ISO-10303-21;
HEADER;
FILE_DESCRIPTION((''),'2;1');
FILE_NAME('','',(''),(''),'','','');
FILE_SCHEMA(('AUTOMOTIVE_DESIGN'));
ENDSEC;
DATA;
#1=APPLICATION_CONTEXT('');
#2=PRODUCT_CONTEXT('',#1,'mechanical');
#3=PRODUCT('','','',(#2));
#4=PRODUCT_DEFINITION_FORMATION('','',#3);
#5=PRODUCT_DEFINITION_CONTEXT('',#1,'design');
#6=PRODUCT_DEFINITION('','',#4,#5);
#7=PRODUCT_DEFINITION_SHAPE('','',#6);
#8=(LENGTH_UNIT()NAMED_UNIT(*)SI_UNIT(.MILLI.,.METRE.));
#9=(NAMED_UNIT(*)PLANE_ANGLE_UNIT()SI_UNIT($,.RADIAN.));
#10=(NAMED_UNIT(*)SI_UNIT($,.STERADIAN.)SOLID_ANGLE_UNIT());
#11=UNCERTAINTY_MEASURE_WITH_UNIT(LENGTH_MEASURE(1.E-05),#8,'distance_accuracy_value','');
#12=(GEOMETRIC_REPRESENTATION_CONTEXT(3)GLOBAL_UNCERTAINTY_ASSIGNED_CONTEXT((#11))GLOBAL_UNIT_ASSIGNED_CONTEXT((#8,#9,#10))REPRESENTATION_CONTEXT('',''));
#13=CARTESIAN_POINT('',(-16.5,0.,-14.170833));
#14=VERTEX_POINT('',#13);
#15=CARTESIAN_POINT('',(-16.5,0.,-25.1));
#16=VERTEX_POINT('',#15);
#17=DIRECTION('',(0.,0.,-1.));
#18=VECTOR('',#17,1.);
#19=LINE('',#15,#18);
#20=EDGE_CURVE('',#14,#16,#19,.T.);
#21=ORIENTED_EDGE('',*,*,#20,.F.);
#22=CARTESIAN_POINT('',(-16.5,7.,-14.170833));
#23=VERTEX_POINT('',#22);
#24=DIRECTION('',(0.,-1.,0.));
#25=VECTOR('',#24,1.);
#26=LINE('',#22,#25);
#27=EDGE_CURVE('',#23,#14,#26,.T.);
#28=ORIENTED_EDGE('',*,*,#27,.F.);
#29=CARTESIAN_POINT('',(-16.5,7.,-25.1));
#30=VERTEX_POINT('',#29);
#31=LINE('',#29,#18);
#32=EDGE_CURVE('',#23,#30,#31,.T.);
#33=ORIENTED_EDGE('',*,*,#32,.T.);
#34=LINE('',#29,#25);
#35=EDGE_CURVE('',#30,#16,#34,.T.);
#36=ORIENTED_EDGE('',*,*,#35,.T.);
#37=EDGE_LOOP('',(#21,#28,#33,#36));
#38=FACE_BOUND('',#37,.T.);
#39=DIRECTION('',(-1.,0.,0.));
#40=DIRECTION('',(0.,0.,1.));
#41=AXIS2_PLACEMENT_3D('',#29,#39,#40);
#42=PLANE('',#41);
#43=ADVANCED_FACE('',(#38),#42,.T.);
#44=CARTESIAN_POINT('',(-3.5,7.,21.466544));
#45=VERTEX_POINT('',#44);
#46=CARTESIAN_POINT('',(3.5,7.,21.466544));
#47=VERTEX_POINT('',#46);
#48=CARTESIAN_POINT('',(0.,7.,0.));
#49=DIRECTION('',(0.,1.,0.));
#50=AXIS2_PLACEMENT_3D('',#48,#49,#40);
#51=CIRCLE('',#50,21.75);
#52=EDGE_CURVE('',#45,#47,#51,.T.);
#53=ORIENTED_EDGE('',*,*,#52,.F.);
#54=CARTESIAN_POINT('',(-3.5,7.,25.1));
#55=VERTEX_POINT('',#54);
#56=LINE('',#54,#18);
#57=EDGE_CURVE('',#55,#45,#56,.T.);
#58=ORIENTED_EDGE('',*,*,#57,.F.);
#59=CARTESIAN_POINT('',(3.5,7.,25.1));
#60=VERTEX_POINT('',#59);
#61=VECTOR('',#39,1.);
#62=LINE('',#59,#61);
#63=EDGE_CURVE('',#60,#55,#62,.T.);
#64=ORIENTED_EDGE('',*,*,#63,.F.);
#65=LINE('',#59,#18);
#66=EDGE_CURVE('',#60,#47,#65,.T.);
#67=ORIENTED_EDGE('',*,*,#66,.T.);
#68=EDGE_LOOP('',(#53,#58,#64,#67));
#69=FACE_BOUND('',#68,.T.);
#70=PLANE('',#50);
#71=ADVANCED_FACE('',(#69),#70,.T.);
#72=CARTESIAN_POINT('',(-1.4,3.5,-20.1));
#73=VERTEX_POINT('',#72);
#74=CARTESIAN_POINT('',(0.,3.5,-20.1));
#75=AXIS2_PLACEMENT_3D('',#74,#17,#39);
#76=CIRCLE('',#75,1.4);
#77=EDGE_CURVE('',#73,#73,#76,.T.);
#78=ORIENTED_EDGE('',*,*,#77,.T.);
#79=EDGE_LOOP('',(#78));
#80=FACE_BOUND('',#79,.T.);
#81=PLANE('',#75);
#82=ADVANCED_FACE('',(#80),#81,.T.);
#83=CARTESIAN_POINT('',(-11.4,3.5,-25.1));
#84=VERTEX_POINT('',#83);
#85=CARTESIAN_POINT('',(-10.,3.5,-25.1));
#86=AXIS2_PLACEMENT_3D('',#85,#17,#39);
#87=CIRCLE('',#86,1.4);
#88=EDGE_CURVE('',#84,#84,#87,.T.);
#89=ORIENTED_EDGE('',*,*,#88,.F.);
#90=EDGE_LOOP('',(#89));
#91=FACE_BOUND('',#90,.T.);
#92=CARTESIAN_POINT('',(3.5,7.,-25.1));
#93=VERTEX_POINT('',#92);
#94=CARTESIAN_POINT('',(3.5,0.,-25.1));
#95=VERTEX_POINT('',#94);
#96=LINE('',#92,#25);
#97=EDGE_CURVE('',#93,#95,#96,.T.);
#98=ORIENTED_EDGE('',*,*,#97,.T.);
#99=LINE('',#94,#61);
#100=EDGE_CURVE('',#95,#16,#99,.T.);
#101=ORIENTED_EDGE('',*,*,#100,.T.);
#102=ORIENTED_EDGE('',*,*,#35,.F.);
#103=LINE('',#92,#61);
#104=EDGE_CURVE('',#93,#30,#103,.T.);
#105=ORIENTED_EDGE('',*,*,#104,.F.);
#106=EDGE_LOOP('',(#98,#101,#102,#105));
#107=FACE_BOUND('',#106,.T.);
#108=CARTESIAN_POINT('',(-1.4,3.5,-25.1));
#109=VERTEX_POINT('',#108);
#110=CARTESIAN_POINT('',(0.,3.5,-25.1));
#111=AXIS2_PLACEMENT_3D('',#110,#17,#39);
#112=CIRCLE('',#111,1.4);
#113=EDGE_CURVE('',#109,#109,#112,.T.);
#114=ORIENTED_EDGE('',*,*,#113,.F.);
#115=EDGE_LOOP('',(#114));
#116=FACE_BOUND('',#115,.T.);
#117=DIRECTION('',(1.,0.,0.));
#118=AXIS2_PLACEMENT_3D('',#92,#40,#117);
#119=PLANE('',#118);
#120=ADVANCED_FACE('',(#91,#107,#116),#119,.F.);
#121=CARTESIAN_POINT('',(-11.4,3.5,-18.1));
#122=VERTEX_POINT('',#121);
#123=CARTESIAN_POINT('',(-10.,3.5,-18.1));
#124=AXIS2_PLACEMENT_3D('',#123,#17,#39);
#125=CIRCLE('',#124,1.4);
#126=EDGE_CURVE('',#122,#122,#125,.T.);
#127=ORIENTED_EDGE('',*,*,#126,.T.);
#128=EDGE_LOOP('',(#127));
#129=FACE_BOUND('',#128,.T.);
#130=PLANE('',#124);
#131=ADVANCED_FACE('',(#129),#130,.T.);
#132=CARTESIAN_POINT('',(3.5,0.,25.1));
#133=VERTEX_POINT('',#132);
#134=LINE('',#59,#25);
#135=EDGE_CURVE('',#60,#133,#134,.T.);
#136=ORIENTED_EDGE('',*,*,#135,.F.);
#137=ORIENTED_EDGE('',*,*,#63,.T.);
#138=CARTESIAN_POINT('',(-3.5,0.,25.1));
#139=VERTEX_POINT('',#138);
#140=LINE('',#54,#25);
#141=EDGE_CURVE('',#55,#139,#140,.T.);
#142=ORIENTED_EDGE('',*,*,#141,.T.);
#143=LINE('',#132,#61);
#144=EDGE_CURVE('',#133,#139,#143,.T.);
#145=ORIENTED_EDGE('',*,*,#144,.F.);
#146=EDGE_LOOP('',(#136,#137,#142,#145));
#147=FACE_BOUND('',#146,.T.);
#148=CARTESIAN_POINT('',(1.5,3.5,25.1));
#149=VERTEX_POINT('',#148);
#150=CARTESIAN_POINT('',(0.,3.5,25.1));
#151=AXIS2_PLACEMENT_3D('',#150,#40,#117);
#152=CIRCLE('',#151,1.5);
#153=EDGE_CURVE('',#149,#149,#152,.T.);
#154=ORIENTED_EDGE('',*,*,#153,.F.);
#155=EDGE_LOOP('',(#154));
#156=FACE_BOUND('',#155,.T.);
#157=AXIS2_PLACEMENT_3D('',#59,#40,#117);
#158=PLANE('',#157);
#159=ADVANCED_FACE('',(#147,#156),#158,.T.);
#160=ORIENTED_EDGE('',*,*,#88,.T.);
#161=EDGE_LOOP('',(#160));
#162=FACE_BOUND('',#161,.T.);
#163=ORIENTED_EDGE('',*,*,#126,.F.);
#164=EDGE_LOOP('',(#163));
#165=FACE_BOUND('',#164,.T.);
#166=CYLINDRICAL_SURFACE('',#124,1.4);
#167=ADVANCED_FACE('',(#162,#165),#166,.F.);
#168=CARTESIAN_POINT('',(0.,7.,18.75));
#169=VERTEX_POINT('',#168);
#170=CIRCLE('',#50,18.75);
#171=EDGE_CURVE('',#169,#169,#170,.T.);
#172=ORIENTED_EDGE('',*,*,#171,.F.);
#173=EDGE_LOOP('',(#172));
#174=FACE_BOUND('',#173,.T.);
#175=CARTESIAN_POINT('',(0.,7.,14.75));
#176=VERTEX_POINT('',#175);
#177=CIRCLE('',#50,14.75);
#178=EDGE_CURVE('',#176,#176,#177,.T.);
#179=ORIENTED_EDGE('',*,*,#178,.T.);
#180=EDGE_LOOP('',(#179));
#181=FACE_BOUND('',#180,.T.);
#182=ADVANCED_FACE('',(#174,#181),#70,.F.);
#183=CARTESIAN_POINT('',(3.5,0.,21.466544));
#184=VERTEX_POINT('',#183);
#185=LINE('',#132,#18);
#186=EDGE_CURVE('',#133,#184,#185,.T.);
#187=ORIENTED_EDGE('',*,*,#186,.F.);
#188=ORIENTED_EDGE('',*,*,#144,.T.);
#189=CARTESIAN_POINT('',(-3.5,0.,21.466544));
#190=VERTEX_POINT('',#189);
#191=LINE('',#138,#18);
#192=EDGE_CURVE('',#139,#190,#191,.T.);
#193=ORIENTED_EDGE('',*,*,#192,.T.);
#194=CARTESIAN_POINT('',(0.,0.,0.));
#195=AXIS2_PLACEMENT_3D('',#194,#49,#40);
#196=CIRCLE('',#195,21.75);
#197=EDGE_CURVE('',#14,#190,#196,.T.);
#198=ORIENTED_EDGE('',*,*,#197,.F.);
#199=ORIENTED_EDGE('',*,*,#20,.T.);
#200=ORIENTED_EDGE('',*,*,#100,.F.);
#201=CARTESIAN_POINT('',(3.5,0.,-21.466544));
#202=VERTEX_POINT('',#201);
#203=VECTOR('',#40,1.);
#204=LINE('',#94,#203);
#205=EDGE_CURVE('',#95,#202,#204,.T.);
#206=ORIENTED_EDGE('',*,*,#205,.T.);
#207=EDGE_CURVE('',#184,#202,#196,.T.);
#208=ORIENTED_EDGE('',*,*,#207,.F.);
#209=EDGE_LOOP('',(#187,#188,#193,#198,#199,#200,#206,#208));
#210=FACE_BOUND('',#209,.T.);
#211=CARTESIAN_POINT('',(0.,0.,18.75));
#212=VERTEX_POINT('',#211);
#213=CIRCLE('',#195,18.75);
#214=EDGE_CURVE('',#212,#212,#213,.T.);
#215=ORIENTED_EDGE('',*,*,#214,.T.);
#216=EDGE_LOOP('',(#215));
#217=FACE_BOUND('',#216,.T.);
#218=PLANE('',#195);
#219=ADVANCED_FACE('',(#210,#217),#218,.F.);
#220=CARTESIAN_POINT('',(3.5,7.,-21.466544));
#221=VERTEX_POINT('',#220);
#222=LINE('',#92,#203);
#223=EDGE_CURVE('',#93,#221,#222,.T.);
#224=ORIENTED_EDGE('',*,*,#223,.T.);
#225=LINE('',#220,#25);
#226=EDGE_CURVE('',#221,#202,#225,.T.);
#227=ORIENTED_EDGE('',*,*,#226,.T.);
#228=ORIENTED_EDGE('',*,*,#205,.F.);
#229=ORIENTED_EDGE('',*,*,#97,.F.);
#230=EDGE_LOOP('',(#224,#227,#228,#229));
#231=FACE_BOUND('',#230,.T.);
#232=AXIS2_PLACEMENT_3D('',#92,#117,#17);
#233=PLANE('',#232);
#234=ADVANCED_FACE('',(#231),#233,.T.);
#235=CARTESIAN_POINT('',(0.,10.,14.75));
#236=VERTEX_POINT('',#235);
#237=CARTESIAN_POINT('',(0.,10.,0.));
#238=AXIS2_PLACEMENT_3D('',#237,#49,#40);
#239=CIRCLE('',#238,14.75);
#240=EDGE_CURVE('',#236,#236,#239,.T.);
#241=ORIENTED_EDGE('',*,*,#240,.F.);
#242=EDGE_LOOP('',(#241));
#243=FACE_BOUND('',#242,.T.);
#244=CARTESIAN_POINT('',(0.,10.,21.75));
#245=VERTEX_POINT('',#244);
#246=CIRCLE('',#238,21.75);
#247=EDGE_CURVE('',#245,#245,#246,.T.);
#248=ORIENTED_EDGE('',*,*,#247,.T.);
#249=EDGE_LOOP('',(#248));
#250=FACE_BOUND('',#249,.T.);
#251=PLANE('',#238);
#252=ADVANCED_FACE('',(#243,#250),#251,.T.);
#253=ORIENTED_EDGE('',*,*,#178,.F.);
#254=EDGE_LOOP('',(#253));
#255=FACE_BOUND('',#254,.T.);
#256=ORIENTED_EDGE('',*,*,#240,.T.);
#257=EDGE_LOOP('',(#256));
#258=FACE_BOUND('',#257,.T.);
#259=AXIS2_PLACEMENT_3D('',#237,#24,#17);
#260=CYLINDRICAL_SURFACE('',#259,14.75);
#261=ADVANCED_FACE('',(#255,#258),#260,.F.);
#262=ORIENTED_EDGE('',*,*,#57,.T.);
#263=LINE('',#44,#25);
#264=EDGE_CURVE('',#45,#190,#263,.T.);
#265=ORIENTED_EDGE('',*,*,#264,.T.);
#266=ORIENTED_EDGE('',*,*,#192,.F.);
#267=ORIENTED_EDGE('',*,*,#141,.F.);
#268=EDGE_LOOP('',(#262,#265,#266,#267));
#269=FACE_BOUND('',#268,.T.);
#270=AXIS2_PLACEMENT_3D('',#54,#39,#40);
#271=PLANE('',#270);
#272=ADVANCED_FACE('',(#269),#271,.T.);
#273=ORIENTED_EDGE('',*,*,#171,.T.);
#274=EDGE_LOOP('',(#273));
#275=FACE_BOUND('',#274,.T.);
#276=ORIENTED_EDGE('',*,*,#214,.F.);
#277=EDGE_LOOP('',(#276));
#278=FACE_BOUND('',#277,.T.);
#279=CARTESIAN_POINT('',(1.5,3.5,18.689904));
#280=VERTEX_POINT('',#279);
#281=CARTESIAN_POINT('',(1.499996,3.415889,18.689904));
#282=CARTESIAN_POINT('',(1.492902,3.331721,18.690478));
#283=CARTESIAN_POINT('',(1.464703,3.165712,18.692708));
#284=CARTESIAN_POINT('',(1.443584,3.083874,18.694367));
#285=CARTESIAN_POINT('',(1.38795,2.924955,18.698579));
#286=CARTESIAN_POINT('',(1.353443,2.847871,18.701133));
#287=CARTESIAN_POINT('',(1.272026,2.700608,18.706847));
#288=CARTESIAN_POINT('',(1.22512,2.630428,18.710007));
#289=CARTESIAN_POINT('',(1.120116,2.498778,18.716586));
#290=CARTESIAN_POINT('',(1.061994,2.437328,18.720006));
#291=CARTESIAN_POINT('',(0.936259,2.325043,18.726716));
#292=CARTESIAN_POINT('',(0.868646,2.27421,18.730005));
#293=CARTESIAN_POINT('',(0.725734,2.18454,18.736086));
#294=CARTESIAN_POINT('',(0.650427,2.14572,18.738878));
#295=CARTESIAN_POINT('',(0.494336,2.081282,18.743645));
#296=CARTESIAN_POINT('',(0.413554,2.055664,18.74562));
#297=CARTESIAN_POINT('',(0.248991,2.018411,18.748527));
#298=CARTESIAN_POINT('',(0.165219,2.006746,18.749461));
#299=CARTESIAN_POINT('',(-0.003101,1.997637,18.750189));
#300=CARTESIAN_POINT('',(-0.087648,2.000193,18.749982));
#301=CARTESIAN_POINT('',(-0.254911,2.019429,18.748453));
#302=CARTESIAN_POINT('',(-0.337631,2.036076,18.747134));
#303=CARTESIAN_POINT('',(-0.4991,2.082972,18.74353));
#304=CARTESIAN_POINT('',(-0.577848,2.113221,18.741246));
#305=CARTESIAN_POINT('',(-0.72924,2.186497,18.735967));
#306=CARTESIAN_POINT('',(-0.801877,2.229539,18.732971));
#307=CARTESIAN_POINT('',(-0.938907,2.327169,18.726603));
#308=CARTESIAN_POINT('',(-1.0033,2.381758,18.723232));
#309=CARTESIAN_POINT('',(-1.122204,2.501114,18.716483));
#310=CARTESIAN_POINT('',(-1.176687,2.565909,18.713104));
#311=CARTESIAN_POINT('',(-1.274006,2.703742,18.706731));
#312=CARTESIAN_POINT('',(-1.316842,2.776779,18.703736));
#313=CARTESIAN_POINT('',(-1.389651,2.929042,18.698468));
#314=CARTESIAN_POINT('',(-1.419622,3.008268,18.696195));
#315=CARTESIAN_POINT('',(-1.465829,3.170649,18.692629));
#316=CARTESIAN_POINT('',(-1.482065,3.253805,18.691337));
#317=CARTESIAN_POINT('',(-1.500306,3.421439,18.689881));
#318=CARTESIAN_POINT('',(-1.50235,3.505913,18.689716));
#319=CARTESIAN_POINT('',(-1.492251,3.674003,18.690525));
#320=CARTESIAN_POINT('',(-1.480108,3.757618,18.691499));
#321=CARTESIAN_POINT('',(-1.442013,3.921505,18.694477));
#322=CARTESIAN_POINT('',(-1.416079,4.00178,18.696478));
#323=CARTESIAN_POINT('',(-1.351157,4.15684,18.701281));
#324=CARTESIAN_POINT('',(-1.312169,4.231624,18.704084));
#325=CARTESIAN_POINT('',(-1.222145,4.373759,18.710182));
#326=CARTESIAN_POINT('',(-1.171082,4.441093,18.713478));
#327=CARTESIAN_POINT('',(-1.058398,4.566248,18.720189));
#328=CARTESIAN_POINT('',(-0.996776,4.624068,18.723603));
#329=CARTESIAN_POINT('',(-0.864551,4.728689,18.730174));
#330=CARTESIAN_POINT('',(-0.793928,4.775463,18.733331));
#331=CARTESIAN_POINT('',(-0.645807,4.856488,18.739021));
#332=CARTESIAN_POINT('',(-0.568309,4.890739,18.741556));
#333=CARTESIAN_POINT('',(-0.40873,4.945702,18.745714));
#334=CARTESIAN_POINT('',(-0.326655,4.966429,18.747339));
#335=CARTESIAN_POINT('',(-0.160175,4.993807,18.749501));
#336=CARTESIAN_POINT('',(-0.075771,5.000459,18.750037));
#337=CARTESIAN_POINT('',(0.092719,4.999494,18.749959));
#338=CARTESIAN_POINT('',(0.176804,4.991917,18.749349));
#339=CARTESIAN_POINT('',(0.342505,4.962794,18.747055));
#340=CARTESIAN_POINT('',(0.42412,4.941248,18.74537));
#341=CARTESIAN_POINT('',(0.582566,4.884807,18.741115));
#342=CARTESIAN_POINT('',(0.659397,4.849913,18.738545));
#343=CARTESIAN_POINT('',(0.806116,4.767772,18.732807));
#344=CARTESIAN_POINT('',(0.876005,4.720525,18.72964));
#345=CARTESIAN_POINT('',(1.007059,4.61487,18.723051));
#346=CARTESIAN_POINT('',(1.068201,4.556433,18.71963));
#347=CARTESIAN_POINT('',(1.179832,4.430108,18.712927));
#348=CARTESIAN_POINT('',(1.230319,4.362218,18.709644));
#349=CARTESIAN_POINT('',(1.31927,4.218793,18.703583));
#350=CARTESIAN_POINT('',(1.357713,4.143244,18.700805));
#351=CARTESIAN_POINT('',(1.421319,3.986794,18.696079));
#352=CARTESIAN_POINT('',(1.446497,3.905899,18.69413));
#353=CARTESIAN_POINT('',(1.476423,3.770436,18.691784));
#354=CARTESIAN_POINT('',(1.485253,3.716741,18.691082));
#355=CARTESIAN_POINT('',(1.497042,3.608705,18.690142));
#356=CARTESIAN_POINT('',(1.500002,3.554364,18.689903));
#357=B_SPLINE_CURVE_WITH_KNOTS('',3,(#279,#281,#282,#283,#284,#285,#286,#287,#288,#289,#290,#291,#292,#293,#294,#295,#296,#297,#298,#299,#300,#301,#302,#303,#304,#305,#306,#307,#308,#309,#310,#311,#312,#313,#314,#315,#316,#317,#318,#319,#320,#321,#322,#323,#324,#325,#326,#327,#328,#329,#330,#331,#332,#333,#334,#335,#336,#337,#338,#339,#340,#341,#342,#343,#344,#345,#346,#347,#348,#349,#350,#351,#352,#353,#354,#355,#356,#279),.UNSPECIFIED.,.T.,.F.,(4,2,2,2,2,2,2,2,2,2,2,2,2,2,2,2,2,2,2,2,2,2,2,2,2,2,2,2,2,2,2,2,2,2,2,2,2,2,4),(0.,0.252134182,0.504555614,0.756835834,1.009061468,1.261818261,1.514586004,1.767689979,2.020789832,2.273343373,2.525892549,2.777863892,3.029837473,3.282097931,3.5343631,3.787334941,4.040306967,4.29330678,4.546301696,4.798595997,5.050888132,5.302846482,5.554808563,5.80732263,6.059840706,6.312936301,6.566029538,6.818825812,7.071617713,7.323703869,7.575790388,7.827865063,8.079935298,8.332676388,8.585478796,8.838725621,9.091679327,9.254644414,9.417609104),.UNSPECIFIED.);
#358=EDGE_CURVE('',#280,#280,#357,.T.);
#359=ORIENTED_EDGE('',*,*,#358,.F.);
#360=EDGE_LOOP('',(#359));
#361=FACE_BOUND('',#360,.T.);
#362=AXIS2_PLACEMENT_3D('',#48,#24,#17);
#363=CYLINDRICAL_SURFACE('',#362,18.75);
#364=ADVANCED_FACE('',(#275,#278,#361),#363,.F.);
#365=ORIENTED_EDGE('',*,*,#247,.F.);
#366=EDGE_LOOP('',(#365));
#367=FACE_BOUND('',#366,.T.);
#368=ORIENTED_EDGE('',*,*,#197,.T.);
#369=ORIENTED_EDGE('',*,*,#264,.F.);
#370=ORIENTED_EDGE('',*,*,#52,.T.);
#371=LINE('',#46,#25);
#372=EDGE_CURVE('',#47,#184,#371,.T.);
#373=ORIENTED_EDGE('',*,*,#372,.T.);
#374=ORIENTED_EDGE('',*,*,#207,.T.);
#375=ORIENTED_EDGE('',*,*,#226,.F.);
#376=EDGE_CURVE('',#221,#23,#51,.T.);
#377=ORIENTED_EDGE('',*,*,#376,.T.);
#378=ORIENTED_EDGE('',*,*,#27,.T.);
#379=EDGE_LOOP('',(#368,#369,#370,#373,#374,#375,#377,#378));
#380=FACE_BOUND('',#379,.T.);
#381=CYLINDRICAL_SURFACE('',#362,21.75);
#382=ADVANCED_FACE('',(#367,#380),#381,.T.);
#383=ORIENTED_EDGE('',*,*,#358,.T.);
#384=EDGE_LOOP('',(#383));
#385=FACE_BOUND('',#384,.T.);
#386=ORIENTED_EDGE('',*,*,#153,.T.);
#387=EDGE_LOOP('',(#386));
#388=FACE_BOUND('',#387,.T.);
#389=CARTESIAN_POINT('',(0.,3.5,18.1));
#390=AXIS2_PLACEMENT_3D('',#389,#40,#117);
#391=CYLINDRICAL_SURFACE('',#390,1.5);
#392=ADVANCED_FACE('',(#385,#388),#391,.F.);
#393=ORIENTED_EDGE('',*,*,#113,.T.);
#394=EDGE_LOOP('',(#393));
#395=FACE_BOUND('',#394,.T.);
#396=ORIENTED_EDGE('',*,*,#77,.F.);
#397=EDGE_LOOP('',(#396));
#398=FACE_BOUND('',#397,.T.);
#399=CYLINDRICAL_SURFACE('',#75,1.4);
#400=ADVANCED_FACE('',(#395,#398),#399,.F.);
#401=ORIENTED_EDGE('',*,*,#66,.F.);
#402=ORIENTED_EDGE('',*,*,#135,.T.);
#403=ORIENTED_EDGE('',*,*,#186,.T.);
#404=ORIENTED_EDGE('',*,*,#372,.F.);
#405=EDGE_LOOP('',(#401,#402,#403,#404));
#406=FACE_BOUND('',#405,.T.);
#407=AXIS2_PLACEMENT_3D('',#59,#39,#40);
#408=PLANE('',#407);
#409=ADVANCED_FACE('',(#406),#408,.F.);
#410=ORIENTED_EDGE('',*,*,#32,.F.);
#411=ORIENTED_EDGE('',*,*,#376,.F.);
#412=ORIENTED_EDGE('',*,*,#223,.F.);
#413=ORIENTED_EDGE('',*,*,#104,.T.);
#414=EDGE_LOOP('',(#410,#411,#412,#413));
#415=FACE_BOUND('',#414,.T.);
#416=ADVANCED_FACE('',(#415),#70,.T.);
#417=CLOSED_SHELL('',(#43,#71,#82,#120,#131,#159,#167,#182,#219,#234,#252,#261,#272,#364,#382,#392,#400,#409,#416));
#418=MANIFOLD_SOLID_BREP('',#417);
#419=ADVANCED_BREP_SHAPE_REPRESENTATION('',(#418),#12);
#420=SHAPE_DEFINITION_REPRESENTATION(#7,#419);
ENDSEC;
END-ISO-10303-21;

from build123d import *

# Parameters (mm, degrees)
SKETCH1_R           = 18.75
BOSS_EXTRUDE1_DEPTH = 7
SKETCH2_R           = 1.5
CUT_EXTRUDE1_DEPTH  = 7
SKETCH3_R           = 1.4
CUT_EXTRUDE2_DEPTH  = 5
BOSS_EXTRUDE3_DEPTH = 7
SKETCH7_R           = 1.4
CUT_EXTRUDE3_DEPTH  = 7
SKETCH9_R           = 21.75
SKETCH9_R_2         = 14.75
BOSS_EXTRUDE5_DEPTH = 3


with BuildPart() as part:
    # Sketch1 → Boss-Extrude1 (new body)
    with BuildSketch(Plane(origin=(0, 0, 0), x_dir=(1, 0, 0), z_dir=(0, 1, 0))):
        with BuildLine():
            Line((3.5, -25.1), (-3.5, -25.1))
            Line((-3.5, -25.1), (-3.5, -21.466544))
            ThreePointArc((-3.5, -21.466544), (-21.75, 0), (-3.5, 21.466544))
            Line((-3.5, 21.466544), (-3.5, 25.1))
            Line((-3.5, 25.1), (3.5, 25.1))
            Line((3.5, 25.1), (3.5, 21.466544))
            ThreePointArc((3.5, 21.466544), (21.75, 0), (3.5, -21.466544))
            Line((3.5, -21.466544), (3.5, -25.1))
        make_face()
        Circle(SKETCH1_R, mode=Mode.SUBTRACT)
    extrude(amount=BOSS_EXTRUDE1_DEPTH)

    # Sketch2 → Cut-Extrude1 (cut)
    with BuildSketch(Plane.XY.offset(25.1)):
        with Locations((0, 3.5)):
            Circle(SKETCH2_R)
    extrude(amount=-CUT_EXTRUDE1_DEPTH, mode=Mode.SUBTRACT)

    # Sketch3 → Cut-Extrude2 (cut)
    with BuildSketch(Plane(origin=(0, 0, -25.1), x_dir=(-1, 0, 0), z_dir=(0, 0, -1))):
        with Locations((0, 3.5)):
            Circle(SKETCH3_R)
    extrude(amount=-CUT_EXTRUDE2_DEPTH, mode=Mode.SUBTRACT)

    # Sketch6 → Boss-Extrude3 (add)
    with BuildSketch(Plane(origin=(0, 0, 0), x_dir=(-1, 0, 0), z_dir=(0, -1, 0))):
        with BuildLine():
            Line((3.5, 25.1), (16.5, 25.1))
            Line((16.5, 25.1), (16.5, 14.170833))
            ThreePointArc((16.5, 14.170833), (10.644569, 18.967226), (3.5, 21.466544))
            Line((3.5, 21.466544), (3.5, 25.1))
        make_face()
    extrude(amount=-BOSS_EXTRUDE3_DEPTH)

    # Sketch7 → Cut-Extrude3 (cut)
    with BuildSketch(Plane(origin=(0, 0, -25.1), x_dir=(-1, 0, 0), z_dir=(0, 0, -1))):
        with Locations((10, 3.5)):
            Circle(SKETCH7_R)
    extrude(amount=-CUT_EXTRUDE3_DEPTH, mode=Mode.SUBTRACT)

    # Sketch9 → Boss-Extrude5 (add)
    with BuildSketch(Plane(origin=(0, 7, 0), x_dir=(1, 0, 0), z_dir=(0, 1, 0))):
        Circle(SKETCH9_R)
        Circle(SKETCH9_R_2, mode=Mode.SUBTRACT)
    extrude(amount=BOSS_EXTRUDE5_DEPTH)


solid = part.part
